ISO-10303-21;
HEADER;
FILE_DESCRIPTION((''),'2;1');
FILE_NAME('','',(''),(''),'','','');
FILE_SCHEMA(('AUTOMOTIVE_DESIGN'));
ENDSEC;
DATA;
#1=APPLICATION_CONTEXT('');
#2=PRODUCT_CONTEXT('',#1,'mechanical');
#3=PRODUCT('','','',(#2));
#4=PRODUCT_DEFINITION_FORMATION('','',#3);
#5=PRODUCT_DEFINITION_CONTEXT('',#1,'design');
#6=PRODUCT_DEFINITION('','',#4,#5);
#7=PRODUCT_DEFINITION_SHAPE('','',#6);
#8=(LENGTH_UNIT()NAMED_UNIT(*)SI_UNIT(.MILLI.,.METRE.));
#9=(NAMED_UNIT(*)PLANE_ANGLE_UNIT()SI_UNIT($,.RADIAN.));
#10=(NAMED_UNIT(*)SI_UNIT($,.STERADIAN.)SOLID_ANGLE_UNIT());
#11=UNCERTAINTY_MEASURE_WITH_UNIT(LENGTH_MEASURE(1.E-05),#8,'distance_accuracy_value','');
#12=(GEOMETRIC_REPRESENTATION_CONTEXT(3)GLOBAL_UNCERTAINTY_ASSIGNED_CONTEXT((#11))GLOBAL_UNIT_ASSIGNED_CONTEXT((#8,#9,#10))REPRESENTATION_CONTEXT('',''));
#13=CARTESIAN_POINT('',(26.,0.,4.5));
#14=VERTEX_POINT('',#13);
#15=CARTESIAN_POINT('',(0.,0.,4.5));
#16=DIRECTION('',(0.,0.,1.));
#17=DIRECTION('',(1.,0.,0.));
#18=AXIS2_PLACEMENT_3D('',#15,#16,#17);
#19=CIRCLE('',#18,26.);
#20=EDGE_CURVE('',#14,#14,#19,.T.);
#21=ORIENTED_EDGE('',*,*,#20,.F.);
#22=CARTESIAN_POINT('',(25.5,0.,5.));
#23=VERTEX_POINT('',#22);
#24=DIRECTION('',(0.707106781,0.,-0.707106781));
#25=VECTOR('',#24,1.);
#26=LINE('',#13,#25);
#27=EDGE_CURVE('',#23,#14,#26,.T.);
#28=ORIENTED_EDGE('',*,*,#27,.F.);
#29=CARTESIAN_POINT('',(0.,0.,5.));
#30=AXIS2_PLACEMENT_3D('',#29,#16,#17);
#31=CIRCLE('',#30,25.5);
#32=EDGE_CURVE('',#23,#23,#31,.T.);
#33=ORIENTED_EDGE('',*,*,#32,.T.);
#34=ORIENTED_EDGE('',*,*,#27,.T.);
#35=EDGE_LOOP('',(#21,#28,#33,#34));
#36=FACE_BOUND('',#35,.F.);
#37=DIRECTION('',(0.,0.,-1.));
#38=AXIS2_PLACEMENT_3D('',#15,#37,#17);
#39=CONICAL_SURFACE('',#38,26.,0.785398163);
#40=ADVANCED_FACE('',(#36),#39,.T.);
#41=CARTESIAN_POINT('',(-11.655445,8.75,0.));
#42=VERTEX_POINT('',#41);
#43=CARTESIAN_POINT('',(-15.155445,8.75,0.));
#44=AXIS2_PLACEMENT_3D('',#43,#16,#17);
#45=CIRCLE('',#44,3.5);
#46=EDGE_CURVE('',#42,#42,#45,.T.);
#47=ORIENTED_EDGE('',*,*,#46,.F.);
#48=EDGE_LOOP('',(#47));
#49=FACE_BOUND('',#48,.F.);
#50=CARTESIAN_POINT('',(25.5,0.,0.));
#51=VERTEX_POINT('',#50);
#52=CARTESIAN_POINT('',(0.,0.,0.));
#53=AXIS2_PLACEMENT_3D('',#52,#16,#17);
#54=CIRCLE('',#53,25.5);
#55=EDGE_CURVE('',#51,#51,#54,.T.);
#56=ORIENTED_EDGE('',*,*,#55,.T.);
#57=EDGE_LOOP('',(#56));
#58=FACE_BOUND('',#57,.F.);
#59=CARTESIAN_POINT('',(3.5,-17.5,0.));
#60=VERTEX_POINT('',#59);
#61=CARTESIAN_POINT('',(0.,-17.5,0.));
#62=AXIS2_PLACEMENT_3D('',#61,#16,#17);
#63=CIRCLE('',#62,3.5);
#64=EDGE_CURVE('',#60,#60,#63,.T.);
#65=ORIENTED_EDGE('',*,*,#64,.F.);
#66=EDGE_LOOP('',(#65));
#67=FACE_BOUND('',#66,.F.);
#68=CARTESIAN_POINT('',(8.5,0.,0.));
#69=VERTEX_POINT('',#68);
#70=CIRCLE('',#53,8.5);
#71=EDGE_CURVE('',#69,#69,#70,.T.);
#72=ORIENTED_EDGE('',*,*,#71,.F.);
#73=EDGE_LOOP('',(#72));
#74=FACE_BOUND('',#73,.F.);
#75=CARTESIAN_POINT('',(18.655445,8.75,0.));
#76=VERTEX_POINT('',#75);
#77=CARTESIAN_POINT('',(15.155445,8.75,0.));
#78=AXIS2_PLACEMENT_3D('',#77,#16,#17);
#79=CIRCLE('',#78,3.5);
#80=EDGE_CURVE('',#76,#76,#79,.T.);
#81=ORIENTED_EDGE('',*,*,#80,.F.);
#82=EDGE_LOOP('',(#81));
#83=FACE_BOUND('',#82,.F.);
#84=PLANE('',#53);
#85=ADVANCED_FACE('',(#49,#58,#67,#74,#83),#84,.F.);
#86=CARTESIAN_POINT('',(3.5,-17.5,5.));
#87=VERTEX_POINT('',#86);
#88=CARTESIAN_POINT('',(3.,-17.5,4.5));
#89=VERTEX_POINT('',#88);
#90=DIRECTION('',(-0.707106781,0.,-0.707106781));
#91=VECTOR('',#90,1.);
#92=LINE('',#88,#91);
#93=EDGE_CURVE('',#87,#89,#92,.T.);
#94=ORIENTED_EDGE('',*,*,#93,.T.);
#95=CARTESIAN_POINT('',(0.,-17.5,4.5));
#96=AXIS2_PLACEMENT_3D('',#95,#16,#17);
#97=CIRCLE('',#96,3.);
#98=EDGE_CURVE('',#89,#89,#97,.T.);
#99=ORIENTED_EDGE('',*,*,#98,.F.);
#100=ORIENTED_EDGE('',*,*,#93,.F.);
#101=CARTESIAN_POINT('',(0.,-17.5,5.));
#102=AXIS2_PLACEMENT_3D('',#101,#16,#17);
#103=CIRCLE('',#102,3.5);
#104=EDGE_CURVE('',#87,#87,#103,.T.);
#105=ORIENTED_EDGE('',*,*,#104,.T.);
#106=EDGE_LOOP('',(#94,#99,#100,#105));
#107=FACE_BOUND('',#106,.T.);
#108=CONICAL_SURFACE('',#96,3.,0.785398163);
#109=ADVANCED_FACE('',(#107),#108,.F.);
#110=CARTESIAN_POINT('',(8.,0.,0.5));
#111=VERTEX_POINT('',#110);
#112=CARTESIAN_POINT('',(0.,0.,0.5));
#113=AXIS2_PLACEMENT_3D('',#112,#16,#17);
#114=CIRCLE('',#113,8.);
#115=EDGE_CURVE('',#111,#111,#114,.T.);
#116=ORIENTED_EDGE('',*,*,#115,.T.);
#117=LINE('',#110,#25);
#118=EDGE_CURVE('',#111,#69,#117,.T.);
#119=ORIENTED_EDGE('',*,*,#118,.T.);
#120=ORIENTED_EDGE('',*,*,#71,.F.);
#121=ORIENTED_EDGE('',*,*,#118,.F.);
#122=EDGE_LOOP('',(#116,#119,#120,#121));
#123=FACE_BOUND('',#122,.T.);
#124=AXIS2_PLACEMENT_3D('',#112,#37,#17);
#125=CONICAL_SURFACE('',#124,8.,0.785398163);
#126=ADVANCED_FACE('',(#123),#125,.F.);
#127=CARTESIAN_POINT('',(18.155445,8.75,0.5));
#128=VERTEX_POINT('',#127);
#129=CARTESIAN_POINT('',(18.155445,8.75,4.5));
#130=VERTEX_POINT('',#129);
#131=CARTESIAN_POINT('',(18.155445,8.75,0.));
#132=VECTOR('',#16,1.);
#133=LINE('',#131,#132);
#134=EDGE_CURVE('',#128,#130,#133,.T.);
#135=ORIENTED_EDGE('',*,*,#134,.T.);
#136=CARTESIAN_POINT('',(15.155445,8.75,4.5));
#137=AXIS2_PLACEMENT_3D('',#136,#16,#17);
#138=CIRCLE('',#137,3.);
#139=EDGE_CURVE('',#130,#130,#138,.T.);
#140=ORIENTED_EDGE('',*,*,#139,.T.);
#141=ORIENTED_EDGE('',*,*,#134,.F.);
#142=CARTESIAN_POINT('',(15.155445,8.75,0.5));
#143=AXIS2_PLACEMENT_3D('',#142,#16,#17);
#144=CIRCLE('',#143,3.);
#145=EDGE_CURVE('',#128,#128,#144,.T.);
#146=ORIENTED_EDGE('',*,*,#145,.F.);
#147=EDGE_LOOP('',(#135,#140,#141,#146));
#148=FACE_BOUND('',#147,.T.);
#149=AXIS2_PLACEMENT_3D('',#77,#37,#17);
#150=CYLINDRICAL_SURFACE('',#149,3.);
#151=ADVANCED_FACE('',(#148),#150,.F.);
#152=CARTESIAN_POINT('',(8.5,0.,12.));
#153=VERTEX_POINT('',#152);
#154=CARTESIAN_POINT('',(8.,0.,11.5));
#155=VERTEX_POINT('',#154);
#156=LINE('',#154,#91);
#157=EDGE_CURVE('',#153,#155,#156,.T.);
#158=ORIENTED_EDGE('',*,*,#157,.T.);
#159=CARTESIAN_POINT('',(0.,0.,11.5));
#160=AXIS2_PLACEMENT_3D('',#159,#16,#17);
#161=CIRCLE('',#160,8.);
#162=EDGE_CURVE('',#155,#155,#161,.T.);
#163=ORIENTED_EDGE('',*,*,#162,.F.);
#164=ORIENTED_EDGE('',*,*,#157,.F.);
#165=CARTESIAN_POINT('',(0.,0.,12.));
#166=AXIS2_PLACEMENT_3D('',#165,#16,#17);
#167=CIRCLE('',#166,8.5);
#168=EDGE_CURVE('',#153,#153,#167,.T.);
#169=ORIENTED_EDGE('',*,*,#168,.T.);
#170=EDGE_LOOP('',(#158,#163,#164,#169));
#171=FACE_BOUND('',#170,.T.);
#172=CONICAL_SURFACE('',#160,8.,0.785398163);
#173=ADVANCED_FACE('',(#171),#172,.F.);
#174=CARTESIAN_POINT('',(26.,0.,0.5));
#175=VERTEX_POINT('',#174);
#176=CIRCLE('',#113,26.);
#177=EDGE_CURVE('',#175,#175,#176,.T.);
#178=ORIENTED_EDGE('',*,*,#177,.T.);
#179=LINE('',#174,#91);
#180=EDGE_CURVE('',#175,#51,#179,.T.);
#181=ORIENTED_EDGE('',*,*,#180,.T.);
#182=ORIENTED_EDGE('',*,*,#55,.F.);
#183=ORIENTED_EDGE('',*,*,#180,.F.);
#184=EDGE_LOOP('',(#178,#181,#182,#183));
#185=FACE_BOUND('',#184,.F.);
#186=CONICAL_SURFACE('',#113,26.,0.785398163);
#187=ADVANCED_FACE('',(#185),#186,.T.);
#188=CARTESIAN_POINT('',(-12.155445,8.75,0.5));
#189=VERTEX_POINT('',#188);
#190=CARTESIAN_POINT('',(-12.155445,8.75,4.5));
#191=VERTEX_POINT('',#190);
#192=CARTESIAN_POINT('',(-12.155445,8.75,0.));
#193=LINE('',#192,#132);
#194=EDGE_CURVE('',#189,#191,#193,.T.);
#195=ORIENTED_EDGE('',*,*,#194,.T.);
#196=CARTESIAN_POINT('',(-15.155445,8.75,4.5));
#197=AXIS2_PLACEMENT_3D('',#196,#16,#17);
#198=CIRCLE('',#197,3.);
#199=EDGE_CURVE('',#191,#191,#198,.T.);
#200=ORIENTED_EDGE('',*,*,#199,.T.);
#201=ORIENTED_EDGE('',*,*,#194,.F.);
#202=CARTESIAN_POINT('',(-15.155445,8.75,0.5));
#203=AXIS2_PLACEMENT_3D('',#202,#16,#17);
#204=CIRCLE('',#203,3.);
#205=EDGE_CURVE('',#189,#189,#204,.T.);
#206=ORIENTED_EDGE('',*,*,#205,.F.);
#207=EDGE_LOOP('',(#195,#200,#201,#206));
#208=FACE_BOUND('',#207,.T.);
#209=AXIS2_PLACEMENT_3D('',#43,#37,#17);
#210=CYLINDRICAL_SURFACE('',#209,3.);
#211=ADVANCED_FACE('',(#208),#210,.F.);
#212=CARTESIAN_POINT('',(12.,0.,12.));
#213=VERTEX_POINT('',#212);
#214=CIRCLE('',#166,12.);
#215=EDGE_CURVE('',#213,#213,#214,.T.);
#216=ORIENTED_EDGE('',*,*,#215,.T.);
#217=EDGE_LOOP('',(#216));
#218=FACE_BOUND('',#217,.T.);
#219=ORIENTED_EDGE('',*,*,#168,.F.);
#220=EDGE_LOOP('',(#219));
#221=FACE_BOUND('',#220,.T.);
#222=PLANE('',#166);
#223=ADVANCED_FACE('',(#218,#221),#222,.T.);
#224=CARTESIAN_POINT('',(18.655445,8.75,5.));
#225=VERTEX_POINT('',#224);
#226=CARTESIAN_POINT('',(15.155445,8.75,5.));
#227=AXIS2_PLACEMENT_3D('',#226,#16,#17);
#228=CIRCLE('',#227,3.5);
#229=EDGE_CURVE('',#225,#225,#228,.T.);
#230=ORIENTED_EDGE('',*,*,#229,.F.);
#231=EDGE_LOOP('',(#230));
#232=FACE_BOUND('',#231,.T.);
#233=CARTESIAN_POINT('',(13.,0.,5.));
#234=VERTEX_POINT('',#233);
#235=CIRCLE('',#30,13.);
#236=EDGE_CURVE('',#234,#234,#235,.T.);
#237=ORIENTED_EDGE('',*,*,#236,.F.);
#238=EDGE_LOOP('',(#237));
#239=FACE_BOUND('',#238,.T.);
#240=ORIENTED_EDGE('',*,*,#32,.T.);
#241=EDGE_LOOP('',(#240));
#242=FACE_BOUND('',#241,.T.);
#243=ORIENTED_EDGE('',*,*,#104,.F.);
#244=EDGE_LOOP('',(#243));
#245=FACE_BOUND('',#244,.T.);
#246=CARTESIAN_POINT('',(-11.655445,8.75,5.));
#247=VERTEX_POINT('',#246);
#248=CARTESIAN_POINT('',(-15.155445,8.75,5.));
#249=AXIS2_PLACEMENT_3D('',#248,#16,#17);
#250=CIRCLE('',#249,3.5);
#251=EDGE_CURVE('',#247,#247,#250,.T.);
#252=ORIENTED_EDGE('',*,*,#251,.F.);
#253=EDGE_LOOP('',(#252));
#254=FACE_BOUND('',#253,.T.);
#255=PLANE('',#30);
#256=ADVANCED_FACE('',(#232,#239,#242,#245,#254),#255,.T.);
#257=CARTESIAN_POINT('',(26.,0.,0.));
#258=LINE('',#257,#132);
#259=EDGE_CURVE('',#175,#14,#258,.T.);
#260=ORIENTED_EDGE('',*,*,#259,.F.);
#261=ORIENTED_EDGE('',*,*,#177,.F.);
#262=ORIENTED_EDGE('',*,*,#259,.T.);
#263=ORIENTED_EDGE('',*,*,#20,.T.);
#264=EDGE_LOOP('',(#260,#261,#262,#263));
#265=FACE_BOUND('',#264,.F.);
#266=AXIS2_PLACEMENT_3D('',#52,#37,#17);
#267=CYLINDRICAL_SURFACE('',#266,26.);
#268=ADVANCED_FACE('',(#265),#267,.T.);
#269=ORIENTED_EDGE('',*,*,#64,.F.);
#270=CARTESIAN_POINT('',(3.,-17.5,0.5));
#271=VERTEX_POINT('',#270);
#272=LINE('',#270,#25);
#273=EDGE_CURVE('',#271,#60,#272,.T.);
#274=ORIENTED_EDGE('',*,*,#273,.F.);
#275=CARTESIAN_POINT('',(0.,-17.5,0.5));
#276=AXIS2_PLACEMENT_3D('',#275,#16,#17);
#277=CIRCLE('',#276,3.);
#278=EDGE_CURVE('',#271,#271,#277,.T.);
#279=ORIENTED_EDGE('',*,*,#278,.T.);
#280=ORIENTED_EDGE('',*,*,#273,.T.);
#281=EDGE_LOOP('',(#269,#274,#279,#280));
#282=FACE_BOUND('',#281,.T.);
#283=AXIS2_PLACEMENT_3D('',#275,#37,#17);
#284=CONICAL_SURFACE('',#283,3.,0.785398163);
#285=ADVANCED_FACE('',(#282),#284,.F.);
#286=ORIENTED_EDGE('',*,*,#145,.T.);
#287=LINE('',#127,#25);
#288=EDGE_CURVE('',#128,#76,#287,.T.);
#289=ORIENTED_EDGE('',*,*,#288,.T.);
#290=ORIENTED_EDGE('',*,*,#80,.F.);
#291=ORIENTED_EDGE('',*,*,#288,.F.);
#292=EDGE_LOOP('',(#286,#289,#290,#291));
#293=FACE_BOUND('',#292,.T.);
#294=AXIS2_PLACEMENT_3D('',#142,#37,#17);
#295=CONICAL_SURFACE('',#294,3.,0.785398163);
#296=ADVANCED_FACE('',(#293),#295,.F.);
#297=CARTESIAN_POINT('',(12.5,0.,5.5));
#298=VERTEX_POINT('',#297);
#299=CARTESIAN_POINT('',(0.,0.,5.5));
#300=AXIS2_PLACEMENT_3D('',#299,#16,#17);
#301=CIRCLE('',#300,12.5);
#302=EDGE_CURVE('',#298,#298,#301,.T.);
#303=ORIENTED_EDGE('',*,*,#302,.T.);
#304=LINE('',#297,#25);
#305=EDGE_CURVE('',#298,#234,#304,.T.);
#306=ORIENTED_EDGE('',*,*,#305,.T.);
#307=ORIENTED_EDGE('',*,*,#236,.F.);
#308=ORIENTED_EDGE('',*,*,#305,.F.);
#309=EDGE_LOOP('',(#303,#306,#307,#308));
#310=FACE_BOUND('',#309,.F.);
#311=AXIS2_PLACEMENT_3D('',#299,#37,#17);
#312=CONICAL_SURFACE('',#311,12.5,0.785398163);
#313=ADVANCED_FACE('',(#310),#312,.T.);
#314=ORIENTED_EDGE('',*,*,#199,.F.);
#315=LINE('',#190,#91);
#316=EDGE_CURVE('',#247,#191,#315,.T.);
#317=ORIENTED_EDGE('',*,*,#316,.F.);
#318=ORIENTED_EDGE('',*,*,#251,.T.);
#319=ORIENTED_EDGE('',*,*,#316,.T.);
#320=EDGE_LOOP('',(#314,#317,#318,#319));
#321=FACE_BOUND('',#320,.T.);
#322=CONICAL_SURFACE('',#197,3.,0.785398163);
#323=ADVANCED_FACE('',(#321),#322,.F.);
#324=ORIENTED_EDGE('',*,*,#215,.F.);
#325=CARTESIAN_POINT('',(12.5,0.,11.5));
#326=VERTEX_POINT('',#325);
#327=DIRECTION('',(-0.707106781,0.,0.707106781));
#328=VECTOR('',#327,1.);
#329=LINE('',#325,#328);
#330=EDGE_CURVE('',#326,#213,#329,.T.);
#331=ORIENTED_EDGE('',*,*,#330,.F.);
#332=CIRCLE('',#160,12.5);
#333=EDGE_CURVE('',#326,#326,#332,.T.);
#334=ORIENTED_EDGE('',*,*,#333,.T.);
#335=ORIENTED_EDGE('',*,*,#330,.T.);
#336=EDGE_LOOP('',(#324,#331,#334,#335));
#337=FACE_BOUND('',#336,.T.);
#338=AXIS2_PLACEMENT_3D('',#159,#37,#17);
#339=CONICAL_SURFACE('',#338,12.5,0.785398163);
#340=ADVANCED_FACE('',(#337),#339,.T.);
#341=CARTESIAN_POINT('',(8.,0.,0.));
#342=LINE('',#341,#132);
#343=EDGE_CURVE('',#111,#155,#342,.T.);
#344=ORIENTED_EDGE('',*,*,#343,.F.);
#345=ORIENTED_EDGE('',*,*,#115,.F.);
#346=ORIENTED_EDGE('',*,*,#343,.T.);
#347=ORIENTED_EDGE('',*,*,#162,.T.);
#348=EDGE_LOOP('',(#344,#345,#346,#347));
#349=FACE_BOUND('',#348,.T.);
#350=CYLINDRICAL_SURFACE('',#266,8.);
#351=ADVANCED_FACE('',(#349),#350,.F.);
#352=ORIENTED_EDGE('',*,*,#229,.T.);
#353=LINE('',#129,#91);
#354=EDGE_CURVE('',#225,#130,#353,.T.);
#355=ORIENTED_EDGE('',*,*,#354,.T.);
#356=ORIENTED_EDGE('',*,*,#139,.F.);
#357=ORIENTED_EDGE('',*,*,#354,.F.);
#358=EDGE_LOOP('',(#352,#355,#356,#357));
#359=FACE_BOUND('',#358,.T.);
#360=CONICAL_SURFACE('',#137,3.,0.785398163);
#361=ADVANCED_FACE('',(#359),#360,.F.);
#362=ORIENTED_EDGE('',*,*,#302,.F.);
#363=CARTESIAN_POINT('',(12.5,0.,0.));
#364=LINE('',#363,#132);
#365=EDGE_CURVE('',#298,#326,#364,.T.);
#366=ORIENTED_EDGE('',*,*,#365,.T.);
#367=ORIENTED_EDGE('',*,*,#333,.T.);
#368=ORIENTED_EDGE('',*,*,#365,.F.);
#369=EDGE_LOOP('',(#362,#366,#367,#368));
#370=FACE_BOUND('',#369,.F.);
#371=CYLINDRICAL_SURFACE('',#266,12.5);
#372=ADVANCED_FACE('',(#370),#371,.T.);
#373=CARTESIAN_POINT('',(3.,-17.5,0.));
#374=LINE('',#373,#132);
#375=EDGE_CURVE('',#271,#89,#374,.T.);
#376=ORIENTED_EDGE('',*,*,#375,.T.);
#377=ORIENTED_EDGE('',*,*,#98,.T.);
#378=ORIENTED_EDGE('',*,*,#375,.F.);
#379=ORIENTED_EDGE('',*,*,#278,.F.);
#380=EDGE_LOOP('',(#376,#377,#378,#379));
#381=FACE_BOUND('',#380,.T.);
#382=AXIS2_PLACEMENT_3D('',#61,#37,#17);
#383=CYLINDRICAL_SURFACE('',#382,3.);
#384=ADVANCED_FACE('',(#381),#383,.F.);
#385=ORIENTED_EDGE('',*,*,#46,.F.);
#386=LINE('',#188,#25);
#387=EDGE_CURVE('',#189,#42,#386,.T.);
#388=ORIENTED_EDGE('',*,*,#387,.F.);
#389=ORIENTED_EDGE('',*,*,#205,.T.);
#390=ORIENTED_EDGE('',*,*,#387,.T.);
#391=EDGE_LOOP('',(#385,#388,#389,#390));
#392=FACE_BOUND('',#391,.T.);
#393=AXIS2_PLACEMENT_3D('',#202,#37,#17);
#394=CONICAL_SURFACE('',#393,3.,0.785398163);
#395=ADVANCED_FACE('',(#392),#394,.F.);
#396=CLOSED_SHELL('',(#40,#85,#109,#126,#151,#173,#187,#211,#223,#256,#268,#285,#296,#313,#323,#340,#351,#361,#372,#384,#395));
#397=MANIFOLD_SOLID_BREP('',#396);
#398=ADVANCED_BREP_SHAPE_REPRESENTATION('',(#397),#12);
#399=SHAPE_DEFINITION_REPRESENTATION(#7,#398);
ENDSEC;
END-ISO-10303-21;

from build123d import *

# Parameters (mm, degrees)
F0_R     = 26
F0_R_2   = 3
F0_R_3   = 12.5
F1_DEPTH = 5
F0_R_4   = 8
F2_DEPTH = 12
F3_SIZE  = 0.5


with BuildPart() as f1:
    # F0 (on Top) → F1 (new body)
    with BuildSketch(Plane.XY):
        Circle(F0_R)
        with Locations((0, -17.5)):
            Circle(F0_R_2, mode=Mode.SUBTRACT)
        with Locations((-15.155445, 8.75)):
            Circle(F0_R_2, mode=Mode.SUBTRACT)
        Circle(F0_R_3, mode=Mode.SUBTRACT)
        with Locations((15.155445, 8.75)):
            Circle(F0_R_2, mode=Mode.SUBTRACT)
    extrude(amount=F1_DEPTH)

    # F0 (on Top) → F2 (join)
    with BuildSketch(Plane.XY):
        Circle(F0_R_3)
        Circle(F0_R_4, mode=Mode.SUBTRACT)
    extrude(amount=F2_DEPTH)

    # F3
    f3_edges = [f1.edges().sort_by_distance(p)[0] for p in [
        (-12.5, 0, 12),
        (-8, 0, 12),
        (-26, 0, 5),
        (-3, -17.5, 5),
        (-18.155445, 8.75, 5),
        (-12.5, 0, 5),
        (12.155445, 8.75, 5),
        (-26, 0, 0),
        (-3, -17.5, 0),
        (-18.155445, 8.75, 0),
        (12.155445, 8.75, 0),
        (-8, 0, 0),
    ]]
    chamfer(f3_edges, length=F3_SIZE)


solid = f1.part
